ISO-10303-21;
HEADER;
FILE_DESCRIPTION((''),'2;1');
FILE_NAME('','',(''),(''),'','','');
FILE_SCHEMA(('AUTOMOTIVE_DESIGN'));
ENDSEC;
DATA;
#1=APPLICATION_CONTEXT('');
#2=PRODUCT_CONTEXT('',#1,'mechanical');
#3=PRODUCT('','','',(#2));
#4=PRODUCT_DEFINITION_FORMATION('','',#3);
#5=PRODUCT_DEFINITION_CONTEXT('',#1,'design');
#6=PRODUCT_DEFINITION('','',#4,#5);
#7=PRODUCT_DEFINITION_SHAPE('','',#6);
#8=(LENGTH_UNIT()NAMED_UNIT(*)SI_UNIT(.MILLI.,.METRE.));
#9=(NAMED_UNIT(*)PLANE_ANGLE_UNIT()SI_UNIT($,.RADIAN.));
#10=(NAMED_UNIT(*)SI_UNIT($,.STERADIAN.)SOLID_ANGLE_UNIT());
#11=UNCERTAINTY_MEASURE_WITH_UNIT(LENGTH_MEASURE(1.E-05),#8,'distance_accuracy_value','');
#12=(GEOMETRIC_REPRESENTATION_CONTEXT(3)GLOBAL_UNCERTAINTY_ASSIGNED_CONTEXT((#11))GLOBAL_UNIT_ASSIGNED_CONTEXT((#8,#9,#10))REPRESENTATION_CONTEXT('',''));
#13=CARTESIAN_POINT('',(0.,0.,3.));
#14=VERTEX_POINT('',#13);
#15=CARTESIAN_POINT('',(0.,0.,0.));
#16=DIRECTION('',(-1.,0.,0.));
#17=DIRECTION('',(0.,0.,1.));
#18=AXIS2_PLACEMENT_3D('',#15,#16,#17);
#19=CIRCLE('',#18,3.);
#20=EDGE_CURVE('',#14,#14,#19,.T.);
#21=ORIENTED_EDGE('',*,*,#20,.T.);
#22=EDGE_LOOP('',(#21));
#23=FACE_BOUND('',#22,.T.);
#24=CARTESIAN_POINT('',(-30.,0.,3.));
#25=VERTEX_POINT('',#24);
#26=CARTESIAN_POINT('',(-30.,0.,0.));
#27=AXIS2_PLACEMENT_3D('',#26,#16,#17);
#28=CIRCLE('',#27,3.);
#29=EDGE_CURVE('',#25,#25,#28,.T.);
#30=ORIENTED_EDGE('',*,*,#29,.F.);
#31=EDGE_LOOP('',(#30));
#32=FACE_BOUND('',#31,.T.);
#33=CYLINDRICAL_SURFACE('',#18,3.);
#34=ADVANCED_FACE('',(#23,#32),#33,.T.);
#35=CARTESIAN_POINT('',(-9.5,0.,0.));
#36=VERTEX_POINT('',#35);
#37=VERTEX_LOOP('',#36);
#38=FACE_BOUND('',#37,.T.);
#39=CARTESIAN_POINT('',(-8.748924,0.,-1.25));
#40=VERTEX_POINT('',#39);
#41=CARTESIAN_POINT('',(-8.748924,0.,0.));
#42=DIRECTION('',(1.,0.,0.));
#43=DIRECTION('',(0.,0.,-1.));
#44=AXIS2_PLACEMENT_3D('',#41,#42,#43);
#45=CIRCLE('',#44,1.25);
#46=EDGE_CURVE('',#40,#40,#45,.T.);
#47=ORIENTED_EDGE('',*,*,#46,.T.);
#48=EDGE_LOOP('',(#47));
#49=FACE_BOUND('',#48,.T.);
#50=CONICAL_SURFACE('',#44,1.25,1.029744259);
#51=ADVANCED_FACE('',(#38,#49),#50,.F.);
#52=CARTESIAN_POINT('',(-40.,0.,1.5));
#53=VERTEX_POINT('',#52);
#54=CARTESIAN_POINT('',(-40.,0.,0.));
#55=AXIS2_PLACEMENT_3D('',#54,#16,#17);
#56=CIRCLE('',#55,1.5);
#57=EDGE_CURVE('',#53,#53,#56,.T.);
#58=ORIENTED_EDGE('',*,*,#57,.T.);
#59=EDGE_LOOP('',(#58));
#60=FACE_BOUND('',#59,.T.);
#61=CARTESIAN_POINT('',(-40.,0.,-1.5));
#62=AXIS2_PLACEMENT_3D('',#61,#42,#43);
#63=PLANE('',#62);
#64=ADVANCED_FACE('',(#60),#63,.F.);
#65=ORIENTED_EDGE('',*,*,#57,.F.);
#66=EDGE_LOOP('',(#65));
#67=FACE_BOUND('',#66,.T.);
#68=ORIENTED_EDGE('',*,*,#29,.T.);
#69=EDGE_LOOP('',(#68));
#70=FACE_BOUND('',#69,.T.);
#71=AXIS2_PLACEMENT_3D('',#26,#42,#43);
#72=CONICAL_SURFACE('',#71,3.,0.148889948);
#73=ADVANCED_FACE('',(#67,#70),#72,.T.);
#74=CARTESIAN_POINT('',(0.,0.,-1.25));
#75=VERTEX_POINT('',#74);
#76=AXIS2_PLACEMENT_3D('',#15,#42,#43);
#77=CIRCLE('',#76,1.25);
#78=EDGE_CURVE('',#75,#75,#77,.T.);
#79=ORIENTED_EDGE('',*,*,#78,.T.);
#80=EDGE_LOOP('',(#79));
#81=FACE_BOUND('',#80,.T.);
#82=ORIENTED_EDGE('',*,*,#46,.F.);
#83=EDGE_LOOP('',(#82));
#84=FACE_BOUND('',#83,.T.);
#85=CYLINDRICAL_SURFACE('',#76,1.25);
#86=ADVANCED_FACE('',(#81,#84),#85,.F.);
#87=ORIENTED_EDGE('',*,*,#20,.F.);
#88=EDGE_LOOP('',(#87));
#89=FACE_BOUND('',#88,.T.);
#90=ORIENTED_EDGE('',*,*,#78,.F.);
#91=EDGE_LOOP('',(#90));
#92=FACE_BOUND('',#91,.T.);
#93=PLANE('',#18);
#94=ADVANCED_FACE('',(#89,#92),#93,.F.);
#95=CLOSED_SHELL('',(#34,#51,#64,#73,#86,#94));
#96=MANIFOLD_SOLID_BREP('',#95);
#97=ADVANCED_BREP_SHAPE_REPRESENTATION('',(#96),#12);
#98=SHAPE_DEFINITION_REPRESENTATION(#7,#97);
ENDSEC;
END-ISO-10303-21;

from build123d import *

# Parameters (mm, degrees)
M3X0_5_TAPPED_HOLE1_D     = 2.5
M3X0_5_TAPPED_HOLE1_DEPTH = 8.748924226
M3X0_5_TAPPED_HOLE1_TIP   = 0.751075774


with BuildPart() as part:
    # Sketch1 → Revolve1 (revolve)
    with BuildSketch(Plane(origin=(0, 0, 0), x_dir=(1, 0, 0), z_dir=(0, 1, 0))):
        Polygon((0, 0), (0, 3), (-30, 3), (-40, 1.5), (-40, 0), align=None)
    revolve(axis=Axis((0, 0, 0), (1, 0, 0)))

    # M3x0.5 Tapped Hole1
    with Locations(Plane(origin=(0, 0, 0), x_dir=(0, 0, -1), z_dir=(1, 0, 0))):
        with Locations((0, 0)):
            Hole(M3X0_5_TAPPED_HOLE1_D / 2, depth=M3X0_5_TAPPED_HOLE1_DEPTH)
            with Locations((0, 0, -(M3X0_5_TAPPED_HOLE1_DEPTH + M3X0_5_TAPPED_HOLE1_TIP / 2))):  # 118° drill point
                Cone(0, M3X0_5_TAPPED_HOLE1_D / 2, M3X0_5_TAPPED_HOLE1_TIP, mode=Mode.SUBTRACT)


solid = part.part
